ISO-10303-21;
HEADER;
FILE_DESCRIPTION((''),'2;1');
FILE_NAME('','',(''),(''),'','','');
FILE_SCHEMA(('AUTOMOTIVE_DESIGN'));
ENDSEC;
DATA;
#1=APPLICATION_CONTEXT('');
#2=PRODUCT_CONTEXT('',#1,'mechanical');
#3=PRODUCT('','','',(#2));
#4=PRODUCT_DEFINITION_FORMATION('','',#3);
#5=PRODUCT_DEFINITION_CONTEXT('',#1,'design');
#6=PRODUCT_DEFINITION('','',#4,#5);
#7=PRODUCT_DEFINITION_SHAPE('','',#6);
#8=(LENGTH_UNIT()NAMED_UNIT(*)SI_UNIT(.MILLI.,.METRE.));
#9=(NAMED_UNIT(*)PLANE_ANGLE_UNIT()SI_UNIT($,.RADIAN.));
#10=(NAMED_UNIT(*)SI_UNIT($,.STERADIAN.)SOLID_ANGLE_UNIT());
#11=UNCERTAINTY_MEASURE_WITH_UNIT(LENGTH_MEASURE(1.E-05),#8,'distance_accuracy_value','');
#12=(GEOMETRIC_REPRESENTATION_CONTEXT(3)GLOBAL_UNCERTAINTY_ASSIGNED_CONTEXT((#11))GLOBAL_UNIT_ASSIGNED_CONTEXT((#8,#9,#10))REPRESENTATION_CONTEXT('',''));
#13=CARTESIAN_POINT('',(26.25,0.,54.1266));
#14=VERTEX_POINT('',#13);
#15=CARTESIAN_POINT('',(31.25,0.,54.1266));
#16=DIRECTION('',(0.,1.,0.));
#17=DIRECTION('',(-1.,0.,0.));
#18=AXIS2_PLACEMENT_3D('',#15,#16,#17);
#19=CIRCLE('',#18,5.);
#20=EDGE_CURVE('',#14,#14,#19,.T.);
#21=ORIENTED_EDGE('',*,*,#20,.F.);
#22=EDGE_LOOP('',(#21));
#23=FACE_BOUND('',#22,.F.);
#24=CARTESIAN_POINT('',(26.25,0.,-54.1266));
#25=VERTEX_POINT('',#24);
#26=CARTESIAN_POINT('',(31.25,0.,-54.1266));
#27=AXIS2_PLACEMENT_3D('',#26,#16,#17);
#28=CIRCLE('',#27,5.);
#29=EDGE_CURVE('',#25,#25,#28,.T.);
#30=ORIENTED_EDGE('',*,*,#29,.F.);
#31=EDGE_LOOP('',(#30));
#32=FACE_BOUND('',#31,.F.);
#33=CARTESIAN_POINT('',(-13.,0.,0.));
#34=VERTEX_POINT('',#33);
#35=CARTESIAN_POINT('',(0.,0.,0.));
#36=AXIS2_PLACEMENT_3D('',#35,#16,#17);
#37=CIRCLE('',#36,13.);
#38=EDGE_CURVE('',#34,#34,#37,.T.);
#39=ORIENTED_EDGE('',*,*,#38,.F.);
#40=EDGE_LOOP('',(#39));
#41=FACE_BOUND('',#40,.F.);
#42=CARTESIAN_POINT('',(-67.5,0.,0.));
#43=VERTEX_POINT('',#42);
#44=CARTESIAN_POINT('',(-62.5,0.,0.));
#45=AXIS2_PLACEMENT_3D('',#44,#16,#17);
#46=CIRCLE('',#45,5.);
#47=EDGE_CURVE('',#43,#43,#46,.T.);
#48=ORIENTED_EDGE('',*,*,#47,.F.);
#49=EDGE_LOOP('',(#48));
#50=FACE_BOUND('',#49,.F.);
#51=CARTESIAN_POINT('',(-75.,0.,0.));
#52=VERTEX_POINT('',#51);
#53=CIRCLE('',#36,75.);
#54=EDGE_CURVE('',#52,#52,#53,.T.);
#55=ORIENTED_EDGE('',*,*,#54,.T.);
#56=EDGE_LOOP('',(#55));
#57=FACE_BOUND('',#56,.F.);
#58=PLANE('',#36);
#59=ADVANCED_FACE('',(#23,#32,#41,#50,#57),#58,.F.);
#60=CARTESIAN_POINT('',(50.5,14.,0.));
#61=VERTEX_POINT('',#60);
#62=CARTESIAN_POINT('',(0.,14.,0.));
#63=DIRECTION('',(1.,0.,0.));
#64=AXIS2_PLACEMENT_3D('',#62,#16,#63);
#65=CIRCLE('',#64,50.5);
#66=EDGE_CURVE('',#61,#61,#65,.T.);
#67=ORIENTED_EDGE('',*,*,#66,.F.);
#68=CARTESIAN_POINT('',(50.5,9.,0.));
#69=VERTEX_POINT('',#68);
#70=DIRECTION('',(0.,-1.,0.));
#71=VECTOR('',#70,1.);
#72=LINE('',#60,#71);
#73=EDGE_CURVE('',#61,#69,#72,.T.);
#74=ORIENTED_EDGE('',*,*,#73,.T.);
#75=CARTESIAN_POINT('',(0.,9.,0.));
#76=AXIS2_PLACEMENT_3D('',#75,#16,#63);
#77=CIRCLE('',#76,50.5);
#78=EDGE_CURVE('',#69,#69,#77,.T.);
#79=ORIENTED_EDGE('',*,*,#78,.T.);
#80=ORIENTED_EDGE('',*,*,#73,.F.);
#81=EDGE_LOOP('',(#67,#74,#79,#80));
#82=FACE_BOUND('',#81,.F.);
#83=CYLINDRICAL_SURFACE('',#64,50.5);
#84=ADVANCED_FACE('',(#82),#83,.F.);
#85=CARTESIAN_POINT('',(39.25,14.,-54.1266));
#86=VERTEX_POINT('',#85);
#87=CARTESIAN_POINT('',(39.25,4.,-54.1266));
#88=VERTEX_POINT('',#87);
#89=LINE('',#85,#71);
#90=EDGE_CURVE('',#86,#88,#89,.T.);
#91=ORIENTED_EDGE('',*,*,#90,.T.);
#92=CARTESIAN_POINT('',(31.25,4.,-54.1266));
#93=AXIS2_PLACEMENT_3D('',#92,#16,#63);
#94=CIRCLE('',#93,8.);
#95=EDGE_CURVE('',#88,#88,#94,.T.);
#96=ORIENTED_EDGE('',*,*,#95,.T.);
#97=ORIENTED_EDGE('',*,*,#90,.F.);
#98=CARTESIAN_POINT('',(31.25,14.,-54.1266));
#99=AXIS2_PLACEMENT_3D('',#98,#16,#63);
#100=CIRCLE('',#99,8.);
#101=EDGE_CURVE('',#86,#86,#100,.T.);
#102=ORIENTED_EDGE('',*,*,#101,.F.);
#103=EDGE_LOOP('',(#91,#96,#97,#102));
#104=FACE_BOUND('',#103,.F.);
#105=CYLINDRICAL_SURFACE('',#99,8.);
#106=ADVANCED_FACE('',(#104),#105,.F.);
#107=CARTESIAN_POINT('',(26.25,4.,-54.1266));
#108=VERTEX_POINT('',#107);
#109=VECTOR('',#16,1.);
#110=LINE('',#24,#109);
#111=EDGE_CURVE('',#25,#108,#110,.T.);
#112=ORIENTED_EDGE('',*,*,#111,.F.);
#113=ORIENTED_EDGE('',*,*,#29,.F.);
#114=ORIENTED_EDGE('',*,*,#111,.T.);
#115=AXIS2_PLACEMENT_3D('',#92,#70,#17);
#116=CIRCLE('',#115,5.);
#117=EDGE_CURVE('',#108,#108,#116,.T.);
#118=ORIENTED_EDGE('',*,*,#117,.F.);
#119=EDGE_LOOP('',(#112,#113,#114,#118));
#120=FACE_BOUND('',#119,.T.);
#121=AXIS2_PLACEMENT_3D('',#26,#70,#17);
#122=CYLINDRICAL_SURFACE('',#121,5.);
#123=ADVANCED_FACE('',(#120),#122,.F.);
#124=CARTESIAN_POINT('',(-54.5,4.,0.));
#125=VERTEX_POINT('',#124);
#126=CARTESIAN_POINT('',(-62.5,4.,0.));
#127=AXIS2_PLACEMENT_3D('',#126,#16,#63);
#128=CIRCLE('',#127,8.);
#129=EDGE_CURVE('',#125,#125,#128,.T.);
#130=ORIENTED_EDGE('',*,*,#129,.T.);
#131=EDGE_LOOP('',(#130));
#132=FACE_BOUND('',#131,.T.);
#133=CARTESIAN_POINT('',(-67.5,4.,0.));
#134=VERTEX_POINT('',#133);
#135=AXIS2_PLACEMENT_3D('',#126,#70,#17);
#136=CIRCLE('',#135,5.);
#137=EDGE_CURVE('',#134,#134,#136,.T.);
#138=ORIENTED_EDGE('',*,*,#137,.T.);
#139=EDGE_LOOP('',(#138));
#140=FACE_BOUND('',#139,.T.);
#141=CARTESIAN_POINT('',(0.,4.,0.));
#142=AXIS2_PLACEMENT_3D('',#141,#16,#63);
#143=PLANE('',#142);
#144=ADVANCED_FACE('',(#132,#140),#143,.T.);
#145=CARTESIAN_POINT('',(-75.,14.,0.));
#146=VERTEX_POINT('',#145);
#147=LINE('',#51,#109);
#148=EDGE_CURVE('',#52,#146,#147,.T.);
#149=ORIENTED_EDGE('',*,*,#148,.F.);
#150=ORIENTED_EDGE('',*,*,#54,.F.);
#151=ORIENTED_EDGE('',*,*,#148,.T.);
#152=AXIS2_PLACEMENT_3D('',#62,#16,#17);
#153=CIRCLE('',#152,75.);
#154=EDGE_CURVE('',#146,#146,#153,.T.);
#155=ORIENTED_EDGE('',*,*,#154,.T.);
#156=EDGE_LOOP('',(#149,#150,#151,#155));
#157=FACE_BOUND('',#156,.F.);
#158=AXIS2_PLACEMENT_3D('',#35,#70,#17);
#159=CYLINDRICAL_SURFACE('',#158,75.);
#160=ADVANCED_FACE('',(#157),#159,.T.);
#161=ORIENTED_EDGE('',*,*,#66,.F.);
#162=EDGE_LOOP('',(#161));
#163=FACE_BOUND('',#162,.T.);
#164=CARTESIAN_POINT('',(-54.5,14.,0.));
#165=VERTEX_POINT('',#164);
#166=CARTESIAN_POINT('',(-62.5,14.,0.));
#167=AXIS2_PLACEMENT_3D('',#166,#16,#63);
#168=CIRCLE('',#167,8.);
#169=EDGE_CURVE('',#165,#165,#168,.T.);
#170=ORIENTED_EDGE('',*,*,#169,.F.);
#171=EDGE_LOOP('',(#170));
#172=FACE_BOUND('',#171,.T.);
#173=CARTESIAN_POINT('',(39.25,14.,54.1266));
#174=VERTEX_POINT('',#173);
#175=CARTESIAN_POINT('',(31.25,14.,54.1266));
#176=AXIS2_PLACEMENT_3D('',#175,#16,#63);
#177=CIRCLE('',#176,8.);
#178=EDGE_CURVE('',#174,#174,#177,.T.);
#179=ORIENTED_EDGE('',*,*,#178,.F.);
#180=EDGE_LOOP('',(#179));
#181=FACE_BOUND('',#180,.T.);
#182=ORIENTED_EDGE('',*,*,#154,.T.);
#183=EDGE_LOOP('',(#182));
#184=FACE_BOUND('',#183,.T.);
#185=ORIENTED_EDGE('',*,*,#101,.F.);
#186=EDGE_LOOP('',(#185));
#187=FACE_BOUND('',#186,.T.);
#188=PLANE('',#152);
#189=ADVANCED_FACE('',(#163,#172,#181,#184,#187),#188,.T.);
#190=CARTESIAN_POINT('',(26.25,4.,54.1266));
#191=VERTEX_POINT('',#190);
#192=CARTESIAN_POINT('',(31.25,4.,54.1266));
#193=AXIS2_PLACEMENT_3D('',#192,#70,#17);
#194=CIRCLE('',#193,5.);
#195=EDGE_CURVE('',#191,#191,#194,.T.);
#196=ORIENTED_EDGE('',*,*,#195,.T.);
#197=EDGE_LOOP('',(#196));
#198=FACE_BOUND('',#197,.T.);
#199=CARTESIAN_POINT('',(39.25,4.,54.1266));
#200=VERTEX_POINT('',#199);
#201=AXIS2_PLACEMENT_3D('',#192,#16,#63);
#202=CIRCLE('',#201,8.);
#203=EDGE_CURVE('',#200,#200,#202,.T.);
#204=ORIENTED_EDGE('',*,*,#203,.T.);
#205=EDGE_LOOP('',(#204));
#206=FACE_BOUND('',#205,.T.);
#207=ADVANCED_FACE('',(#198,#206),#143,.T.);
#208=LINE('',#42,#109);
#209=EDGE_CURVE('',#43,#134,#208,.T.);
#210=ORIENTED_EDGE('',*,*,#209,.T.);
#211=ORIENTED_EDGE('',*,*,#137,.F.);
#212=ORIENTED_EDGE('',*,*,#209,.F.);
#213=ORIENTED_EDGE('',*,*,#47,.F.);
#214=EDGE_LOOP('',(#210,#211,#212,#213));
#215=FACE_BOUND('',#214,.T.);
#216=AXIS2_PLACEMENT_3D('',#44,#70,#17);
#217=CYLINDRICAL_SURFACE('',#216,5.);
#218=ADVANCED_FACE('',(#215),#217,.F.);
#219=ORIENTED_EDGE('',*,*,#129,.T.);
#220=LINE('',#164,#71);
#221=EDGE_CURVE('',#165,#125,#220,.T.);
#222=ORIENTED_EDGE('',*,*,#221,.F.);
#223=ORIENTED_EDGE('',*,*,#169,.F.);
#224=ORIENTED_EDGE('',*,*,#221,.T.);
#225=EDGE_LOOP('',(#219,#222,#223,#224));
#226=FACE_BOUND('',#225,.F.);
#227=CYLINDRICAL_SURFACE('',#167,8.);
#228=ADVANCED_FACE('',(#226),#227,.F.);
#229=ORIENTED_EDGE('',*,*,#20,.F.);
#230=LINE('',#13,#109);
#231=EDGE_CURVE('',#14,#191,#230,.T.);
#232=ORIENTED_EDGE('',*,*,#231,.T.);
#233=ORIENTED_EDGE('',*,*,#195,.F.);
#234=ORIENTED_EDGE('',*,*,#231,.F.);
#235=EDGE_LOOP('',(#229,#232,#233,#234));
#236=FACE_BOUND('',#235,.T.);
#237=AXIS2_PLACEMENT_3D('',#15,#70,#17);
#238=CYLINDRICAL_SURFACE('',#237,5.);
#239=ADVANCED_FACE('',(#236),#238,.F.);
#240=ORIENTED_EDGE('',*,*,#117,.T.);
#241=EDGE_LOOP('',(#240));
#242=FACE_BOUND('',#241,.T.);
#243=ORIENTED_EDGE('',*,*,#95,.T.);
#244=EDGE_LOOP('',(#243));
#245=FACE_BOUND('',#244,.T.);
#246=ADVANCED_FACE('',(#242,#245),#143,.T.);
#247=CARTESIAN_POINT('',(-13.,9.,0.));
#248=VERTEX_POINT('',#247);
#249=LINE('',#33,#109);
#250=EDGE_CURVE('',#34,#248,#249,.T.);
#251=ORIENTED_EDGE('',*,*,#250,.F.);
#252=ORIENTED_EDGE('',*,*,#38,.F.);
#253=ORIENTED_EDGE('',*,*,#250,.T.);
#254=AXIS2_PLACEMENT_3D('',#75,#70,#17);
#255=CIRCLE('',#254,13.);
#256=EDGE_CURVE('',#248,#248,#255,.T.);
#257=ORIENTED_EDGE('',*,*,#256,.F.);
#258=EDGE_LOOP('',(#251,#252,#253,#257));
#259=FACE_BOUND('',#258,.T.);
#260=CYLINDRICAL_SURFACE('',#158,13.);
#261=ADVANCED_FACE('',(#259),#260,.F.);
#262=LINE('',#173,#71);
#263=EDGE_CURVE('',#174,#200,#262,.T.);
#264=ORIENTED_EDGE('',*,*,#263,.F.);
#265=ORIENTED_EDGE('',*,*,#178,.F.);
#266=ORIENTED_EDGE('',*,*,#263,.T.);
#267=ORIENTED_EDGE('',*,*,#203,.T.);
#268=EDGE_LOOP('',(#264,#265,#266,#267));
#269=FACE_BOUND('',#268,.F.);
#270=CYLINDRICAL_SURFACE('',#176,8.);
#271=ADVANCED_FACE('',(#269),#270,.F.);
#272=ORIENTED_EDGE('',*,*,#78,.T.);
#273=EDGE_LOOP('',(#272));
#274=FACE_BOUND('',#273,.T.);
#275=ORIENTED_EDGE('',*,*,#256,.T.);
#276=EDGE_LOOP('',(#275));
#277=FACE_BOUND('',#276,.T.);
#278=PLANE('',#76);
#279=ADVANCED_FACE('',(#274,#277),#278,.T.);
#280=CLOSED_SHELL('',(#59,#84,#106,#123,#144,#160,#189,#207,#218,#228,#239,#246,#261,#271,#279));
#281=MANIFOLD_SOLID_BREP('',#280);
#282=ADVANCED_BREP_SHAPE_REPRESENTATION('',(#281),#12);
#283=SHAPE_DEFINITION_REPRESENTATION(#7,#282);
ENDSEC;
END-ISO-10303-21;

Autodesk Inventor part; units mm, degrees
ref_plane "YZ Plane" through (0, 0, 0) normal (1, 0, 0) x (0, 1, 0)
ref_plane "XZ Plane" through (0, 0, 0) normal (0, 1, 0) x (-1, 0, 0)
ref_plane "XY Plane" through (0, 0, 0) normal (0, 0, 1) x (1, 0, 0)
sketch "Boceto1" plane through (0, 0, 0) normal (0, 1, 0) x (-1, 0, 0)
  circle A0 centre (0, 0) radius 75
  circle A1 centre (62.5, 0) radius 5
  circle A2 centre (62.5, 0) radius 8
  circle A3 centre (0, 0) radius 13
  circle A4 centre (-31.25, -54.1266) radius 5
  circle A5 centre (-31.25, -54.1266) radius 8
  circle A6 centre (-31.25, 54.1266) radius 5
  circle A7 centre (-31.25, 54.1266) radius 8
  dimension "d0" = 150
  dimension "d1" = 10
  dimension "d2" = 16
  dimension "d3" = 26
  dimension "d4" = 10
  dimension "d5" = 16
  dimension "d6" = 10
  dimension "d7" = 16
extrude "Extrusión1" add sketch "Boceto1" along normal blind 14 contours A0 | A2 | A5 | A7
sketch "Boceto2" plane through (0, 14, 0) normal (0, 1, 0) x (1, 0, 0)
  point P0 (0, 0)
sketch "Boceto3" plane through (0, 14, 0) normal (0, 1, 0) x (1, 0, 0)
  circle A0 centre (0, 0) radius 50.5
  circle A1 centre (-62.5, 0) radius 8
  circle A2 centre (31.25, 54.1266) radius 5 projected
  circle A3 centre (31.25, 54.1266) radius 8
  circle A4 centre (31.25, -54.1266) radius 5 projected
  circle A5 centre (31.25, -54.1266) radius 8
  dimension "d10" = 101
  dimension "d11" = 16
  dimension "d12" = 16
  dimension "d13" = 16
extrude "Extrusión2" cut sketch "Boceto3" against normal blind 10 contours A1 | A2 | A3 | A4 | A5
extrude "Extrusión3" cut sketch "Boceto3" against normal blind 5 contours A0
properties part number "1.1.5.UpperSta.Plate"
